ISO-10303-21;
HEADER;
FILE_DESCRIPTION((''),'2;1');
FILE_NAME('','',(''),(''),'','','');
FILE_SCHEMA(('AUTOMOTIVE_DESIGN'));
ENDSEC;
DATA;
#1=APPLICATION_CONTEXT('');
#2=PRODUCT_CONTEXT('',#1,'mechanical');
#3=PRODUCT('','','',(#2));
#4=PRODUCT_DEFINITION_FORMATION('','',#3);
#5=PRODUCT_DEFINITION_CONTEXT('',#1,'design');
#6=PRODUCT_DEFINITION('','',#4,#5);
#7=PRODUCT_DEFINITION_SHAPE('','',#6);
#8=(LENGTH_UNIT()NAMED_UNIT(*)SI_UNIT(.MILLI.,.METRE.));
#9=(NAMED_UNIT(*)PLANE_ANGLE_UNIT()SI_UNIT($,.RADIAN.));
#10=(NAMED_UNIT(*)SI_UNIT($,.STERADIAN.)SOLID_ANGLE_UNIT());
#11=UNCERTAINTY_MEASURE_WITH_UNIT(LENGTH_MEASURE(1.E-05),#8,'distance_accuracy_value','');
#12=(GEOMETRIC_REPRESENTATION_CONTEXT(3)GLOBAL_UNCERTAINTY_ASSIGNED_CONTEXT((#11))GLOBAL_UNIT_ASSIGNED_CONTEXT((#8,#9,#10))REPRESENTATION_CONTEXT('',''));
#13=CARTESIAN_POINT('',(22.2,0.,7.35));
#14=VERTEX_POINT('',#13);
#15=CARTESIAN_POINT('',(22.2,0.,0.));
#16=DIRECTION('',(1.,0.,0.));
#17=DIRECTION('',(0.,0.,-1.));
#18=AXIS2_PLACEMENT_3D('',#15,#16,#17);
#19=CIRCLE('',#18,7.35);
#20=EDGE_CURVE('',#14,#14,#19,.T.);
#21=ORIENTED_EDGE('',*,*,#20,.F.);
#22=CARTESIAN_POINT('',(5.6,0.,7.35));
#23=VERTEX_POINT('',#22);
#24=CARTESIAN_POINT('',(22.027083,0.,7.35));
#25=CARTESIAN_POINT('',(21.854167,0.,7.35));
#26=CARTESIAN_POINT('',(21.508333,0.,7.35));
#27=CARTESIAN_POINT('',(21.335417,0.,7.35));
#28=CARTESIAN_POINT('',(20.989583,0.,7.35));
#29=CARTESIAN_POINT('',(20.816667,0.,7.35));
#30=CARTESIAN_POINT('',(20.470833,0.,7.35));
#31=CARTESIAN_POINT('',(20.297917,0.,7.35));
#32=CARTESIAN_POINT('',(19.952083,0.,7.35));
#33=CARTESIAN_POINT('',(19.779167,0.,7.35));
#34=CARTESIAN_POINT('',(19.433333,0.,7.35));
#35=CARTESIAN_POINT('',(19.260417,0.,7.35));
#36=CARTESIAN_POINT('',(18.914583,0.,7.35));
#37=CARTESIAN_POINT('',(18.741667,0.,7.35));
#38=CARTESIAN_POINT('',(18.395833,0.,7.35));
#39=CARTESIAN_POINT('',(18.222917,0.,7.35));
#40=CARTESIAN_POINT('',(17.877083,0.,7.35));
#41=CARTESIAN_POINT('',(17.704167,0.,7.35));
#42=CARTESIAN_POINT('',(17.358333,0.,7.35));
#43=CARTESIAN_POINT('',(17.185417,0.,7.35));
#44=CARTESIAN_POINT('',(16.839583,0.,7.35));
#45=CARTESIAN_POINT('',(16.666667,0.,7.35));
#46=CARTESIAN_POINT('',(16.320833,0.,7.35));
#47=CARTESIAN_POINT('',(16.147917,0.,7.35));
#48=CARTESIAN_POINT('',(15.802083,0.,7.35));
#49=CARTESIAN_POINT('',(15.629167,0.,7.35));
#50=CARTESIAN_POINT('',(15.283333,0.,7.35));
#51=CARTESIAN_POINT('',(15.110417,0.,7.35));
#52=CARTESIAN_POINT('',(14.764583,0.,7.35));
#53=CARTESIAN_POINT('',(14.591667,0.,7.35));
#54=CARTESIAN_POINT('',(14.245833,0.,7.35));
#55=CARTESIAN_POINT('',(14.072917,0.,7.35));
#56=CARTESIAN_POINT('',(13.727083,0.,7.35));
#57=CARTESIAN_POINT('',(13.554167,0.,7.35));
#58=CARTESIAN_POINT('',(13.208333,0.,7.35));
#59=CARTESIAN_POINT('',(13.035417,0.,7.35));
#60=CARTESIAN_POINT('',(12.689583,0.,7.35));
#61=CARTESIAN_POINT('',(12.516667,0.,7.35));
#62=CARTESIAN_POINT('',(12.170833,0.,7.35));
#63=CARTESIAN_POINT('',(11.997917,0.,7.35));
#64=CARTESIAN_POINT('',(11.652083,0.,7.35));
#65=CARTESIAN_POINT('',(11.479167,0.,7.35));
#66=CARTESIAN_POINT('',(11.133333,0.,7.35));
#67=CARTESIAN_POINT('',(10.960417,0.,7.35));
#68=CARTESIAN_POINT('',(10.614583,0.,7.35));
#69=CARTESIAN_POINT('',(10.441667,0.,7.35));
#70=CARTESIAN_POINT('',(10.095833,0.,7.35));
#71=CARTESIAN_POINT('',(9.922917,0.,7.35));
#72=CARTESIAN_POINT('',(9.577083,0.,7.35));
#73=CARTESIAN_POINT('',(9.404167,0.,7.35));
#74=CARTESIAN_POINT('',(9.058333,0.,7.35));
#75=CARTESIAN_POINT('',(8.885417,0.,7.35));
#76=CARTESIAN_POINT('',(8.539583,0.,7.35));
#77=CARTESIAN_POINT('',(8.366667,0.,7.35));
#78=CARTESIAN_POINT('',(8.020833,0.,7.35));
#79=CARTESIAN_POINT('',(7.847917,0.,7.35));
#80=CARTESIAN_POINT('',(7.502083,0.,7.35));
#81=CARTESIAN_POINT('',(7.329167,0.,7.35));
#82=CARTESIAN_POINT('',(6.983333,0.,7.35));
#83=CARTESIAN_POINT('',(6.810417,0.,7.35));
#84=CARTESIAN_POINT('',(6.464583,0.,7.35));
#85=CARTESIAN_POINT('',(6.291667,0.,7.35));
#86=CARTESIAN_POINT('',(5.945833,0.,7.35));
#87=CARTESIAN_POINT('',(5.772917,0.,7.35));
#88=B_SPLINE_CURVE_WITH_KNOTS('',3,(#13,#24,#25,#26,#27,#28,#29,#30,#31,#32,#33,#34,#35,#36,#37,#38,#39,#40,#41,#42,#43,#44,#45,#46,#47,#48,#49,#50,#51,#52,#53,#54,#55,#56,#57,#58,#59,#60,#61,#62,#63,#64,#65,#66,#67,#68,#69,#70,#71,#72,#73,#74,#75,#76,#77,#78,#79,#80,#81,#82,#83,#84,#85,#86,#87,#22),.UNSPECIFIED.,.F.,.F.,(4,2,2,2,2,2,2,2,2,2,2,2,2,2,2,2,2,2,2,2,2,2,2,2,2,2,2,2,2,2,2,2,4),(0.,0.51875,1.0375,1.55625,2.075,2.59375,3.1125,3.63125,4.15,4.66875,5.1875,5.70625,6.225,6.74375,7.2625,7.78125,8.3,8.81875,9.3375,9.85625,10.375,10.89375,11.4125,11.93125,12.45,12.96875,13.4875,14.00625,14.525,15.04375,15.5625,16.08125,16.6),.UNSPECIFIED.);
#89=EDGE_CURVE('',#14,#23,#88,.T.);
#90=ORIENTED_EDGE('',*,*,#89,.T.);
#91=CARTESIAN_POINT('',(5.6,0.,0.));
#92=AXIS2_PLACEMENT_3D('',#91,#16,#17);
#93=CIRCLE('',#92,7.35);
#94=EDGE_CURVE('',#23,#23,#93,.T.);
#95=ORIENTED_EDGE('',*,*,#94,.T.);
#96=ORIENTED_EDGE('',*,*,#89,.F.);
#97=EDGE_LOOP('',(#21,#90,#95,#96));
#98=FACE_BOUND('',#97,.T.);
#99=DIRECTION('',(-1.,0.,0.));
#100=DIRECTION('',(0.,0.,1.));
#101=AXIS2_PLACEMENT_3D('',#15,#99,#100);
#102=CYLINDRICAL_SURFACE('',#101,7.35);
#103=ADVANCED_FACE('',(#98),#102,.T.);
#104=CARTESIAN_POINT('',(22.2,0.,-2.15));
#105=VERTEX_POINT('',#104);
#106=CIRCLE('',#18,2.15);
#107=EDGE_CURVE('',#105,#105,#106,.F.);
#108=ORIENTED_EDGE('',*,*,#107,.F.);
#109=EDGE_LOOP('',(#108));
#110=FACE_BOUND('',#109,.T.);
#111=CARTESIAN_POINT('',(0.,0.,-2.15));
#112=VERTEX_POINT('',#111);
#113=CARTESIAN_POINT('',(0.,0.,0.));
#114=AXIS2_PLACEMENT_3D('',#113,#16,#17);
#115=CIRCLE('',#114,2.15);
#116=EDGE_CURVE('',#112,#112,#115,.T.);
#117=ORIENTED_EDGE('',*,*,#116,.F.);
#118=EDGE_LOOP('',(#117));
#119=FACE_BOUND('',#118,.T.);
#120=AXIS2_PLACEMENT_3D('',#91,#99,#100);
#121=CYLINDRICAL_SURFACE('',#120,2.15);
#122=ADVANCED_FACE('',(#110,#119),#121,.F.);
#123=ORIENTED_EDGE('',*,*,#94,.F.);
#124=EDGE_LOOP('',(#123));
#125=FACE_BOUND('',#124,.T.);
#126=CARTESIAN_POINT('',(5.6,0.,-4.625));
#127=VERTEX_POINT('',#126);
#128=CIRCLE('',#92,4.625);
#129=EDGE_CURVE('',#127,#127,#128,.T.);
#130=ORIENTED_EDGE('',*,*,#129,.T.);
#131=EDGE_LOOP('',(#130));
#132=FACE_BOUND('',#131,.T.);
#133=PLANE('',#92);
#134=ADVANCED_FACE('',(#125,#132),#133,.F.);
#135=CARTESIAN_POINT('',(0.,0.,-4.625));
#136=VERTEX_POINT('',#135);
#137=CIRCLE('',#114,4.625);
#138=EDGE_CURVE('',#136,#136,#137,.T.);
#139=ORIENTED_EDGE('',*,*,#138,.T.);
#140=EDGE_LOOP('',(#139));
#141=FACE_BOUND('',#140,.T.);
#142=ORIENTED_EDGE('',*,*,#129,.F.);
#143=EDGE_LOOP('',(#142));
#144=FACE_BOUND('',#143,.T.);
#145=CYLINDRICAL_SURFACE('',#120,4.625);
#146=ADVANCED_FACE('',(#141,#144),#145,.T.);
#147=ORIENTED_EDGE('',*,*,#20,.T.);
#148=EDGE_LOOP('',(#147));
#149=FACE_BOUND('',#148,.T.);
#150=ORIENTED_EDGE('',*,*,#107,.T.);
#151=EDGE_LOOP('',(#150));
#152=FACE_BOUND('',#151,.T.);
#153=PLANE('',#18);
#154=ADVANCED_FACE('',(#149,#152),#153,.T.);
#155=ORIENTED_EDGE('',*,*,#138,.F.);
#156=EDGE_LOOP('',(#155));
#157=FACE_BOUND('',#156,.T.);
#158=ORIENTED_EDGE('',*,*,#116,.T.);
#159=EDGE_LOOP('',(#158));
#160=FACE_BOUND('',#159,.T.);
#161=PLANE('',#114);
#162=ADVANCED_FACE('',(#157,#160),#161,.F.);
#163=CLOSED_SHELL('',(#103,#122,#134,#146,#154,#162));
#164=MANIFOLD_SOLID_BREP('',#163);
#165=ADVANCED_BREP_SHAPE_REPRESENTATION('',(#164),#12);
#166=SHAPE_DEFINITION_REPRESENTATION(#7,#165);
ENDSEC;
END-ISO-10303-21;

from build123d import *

# Parameters (mm, degrees)
SKETCH1_R           = 4.625
SKETCH1_R_2         = 2.15
BOSS_EXTRUDE1_DEPTH = 5.6
SKETCH2_R           = 7.35
SKETCH2_R_2         = 2.15
BOSS_EXTRUDE2_DEPTH = 16.6


with BuildPart() as part:
    # Sketch1 → Boss-Extrude1 (new body)
    with BuildSketch(Plane(origin=(0, 0, 0), x_dir=(0, 0, -1), z_dir=(1, 0, 0))):
        Circle(SKETCH1_R)
        Circle(SKETCH1_R_2, mode=Mode.SUBTRACT)
    extrude(amount=BOSS_EXTRUDE1_DEPTH)

    # Sketch2 → Boss-Extrude2 (add)
    with BuildSketch(Plane(origin=(5.6, 0, 0), x_dir=(0, 0, -1), z_dir=(1, 0, 0))):
        with Locations(Location((0, 0, 0), (0, 0, 180))):
            Circle(SKETCH2_R)
        Circle(SKETCH2_R_2, mode=Mode.SUBTRACT)
    extrude(amount=BOSS_EXTRUDE2_DEPTH)


solid = part.part
